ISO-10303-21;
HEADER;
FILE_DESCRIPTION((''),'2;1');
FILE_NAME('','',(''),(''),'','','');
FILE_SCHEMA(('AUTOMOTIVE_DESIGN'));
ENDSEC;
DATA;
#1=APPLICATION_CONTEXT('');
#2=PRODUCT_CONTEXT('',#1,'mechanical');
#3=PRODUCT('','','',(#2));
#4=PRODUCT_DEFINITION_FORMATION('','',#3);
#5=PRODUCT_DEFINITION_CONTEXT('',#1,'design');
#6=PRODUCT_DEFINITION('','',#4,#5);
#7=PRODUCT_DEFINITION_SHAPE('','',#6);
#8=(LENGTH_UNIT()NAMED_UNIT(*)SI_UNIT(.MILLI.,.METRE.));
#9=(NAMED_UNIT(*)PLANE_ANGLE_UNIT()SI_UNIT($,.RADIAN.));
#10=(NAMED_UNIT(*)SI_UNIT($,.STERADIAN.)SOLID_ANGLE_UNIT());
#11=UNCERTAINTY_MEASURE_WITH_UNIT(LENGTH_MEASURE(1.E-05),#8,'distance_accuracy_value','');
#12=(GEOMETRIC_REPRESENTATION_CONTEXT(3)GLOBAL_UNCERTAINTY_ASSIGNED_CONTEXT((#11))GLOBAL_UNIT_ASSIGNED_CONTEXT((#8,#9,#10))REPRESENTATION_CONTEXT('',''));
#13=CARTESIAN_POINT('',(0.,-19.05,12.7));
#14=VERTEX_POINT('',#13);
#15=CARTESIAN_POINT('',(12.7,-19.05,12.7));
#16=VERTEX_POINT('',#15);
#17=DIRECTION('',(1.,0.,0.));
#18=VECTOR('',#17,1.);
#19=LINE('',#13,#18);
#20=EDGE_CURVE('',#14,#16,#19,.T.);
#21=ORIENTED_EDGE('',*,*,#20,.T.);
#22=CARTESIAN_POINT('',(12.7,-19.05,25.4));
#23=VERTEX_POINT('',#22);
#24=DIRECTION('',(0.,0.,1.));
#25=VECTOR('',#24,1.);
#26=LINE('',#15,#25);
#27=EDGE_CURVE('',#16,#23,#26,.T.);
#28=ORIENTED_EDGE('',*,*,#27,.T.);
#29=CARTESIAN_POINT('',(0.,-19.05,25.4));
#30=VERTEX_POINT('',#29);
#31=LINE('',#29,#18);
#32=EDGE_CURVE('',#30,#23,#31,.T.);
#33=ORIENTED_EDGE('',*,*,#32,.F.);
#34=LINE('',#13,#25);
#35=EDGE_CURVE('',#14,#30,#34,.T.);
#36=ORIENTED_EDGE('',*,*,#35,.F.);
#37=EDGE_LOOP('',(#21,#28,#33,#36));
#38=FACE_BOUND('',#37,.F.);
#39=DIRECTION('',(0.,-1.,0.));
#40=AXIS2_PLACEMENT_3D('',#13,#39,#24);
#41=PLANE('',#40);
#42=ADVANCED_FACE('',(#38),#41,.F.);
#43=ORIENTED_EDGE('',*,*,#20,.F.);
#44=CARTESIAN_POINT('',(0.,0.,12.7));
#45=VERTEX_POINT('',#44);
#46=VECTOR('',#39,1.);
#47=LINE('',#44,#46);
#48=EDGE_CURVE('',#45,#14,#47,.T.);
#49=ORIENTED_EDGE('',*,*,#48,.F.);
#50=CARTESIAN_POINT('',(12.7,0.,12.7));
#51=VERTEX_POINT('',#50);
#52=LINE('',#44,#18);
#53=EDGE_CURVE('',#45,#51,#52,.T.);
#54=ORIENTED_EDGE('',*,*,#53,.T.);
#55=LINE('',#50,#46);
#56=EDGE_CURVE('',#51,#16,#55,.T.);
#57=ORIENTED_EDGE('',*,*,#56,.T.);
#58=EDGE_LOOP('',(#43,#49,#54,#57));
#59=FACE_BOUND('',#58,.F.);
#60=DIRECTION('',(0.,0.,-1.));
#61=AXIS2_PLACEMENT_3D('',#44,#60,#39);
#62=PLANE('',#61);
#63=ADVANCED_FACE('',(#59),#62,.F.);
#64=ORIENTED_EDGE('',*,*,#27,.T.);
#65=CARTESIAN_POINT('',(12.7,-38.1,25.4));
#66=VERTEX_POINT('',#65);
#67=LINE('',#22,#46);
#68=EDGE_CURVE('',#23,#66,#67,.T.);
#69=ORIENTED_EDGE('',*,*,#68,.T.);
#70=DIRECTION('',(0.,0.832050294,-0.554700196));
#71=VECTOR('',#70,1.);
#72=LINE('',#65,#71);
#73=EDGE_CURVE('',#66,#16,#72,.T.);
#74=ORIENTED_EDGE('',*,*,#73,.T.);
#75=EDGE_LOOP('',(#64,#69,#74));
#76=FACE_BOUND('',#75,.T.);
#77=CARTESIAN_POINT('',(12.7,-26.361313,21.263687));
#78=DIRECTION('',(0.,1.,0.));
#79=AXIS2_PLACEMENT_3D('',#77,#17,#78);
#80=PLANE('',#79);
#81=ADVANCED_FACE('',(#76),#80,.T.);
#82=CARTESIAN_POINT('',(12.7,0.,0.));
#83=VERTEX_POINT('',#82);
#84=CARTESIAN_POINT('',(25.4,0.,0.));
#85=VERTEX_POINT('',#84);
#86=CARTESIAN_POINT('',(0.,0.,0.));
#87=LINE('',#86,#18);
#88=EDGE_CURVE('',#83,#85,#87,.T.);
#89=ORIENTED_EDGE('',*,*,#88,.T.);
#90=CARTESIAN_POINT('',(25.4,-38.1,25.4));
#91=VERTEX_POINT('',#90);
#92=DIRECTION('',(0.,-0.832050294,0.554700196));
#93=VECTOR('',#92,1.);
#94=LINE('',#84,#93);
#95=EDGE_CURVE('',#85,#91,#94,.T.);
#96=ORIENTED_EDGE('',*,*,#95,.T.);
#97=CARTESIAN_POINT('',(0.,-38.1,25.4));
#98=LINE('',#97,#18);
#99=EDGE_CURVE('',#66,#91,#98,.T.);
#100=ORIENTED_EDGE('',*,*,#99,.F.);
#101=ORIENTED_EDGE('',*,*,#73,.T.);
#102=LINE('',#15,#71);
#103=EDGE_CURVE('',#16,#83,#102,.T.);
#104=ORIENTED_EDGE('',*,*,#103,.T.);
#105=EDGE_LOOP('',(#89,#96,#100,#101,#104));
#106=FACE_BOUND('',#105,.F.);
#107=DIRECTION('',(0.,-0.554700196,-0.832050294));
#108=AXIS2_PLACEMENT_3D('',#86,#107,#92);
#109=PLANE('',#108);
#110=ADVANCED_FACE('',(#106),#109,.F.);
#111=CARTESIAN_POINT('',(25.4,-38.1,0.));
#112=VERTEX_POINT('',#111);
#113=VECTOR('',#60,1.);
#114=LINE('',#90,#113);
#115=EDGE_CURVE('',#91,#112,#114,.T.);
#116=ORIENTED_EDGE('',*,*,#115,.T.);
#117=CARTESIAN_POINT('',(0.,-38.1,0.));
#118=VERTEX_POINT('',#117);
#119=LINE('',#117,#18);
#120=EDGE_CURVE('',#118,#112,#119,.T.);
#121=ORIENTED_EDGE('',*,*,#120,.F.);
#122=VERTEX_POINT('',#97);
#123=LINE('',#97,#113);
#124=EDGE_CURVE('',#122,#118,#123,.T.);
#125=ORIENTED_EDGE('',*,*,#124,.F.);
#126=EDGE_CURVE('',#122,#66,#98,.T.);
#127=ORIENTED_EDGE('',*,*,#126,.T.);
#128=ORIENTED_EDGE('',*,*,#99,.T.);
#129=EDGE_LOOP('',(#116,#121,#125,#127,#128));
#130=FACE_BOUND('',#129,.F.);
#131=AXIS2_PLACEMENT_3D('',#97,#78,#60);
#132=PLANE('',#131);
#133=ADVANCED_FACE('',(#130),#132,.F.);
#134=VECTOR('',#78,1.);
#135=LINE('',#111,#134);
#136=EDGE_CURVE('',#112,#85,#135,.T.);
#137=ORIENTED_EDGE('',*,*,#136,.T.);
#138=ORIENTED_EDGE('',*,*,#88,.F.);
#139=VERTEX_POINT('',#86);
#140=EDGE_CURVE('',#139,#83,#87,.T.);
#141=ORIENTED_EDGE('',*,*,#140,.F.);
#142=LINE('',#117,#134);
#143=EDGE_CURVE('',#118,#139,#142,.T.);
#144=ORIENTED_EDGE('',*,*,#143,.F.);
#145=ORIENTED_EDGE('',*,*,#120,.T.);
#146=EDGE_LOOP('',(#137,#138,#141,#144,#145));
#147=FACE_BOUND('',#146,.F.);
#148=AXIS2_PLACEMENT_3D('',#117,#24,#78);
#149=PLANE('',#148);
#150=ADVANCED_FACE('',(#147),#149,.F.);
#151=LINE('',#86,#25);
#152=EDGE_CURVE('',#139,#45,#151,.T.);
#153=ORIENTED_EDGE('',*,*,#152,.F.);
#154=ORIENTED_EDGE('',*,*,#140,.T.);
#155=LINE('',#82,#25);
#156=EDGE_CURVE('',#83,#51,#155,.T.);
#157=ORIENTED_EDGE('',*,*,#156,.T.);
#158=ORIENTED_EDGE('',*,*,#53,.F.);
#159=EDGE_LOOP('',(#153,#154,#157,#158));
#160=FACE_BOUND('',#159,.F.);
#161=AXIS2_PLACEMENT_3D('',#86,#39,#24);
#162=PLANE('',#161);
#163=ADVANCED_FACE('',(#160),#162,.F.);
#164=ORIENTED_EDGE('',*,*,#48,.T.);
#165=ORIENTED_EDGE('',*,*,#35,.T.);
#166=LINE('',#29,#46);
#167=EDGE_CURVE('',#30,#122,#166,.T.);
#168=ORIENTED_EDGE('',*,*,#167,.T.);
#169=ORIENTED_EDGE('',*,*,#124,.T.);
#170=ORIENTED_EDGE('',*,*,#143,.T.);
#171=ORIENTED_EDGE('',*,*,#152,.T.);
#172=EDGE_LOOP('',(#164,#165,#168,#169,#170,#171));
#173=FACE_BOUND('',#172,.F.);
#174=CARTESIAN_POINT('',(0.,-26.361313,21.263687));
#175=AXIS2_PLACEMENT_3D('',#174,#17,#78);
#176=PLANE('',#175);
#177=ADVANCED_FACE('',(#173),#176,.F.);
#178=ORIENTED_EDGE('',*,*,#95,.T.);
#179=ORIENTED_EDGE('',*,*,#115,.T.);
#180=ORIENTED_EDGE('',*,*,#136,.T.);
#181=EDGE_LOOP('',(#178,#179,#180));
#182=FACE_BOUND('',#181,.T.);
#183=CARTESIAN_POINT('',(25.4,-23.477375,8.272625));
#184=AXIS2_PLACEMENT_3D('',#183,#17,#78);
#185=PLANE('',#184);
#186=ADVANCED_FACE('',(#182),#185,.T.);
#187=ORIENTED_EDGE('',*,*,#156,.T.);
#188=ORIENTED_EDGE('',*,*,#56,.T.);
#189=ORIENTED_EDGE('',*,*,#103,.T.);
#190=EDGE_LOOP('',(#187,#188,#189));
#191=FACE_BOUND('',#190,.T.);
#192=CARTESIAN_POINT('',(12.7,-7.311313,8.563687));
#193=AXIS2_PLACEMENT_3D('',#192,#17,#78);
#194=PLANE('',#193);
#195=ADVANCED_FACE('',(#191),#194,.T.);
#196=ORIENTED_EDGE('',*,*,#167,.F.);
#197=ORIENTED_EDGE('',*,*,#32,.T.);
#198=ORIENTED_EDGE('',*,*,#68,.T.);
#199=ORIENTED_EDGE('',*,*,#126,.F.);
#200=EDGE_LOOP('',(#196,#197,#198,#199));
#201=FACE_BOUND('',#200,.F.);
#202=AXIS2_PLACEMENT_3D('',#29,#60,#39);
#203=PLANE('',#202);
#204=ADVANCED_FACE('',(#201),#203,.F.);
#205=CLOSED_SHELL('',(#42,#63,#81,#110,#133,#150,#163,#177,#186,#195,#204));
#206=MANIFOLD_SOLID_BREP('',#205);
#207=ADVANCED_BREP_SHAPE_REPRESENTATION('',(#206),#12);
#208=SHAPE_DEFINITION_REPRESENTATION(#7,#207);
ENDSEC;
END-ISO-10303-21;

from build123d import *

# Parameters (mm, degrees)
F2_DEPTH = 25.4
F3_DEPTH = 12.7


with BuildPart() as f2:
    # F0 (on Right) → F2 (new body)
    with BuildSketch(Plane.YZ):
        Polygon((0, 0), (-38.1, 25.4), (-38.1, 0), align=None)
    extrude(amount=F2_DEPTH)

    # F1 (on Right) → F3 (join)
    with BuildSketch(Plane.YZ):
        Polygon((-19.05, 25.4), (-38.1, 25.4), (-19.05, 12.7), align=None)
        Polygon((0, 12.7), (-19.05, 12.7), (0, 0), align=None)
    extrude(amount=F3_DEPTH)


solid = f2.part
